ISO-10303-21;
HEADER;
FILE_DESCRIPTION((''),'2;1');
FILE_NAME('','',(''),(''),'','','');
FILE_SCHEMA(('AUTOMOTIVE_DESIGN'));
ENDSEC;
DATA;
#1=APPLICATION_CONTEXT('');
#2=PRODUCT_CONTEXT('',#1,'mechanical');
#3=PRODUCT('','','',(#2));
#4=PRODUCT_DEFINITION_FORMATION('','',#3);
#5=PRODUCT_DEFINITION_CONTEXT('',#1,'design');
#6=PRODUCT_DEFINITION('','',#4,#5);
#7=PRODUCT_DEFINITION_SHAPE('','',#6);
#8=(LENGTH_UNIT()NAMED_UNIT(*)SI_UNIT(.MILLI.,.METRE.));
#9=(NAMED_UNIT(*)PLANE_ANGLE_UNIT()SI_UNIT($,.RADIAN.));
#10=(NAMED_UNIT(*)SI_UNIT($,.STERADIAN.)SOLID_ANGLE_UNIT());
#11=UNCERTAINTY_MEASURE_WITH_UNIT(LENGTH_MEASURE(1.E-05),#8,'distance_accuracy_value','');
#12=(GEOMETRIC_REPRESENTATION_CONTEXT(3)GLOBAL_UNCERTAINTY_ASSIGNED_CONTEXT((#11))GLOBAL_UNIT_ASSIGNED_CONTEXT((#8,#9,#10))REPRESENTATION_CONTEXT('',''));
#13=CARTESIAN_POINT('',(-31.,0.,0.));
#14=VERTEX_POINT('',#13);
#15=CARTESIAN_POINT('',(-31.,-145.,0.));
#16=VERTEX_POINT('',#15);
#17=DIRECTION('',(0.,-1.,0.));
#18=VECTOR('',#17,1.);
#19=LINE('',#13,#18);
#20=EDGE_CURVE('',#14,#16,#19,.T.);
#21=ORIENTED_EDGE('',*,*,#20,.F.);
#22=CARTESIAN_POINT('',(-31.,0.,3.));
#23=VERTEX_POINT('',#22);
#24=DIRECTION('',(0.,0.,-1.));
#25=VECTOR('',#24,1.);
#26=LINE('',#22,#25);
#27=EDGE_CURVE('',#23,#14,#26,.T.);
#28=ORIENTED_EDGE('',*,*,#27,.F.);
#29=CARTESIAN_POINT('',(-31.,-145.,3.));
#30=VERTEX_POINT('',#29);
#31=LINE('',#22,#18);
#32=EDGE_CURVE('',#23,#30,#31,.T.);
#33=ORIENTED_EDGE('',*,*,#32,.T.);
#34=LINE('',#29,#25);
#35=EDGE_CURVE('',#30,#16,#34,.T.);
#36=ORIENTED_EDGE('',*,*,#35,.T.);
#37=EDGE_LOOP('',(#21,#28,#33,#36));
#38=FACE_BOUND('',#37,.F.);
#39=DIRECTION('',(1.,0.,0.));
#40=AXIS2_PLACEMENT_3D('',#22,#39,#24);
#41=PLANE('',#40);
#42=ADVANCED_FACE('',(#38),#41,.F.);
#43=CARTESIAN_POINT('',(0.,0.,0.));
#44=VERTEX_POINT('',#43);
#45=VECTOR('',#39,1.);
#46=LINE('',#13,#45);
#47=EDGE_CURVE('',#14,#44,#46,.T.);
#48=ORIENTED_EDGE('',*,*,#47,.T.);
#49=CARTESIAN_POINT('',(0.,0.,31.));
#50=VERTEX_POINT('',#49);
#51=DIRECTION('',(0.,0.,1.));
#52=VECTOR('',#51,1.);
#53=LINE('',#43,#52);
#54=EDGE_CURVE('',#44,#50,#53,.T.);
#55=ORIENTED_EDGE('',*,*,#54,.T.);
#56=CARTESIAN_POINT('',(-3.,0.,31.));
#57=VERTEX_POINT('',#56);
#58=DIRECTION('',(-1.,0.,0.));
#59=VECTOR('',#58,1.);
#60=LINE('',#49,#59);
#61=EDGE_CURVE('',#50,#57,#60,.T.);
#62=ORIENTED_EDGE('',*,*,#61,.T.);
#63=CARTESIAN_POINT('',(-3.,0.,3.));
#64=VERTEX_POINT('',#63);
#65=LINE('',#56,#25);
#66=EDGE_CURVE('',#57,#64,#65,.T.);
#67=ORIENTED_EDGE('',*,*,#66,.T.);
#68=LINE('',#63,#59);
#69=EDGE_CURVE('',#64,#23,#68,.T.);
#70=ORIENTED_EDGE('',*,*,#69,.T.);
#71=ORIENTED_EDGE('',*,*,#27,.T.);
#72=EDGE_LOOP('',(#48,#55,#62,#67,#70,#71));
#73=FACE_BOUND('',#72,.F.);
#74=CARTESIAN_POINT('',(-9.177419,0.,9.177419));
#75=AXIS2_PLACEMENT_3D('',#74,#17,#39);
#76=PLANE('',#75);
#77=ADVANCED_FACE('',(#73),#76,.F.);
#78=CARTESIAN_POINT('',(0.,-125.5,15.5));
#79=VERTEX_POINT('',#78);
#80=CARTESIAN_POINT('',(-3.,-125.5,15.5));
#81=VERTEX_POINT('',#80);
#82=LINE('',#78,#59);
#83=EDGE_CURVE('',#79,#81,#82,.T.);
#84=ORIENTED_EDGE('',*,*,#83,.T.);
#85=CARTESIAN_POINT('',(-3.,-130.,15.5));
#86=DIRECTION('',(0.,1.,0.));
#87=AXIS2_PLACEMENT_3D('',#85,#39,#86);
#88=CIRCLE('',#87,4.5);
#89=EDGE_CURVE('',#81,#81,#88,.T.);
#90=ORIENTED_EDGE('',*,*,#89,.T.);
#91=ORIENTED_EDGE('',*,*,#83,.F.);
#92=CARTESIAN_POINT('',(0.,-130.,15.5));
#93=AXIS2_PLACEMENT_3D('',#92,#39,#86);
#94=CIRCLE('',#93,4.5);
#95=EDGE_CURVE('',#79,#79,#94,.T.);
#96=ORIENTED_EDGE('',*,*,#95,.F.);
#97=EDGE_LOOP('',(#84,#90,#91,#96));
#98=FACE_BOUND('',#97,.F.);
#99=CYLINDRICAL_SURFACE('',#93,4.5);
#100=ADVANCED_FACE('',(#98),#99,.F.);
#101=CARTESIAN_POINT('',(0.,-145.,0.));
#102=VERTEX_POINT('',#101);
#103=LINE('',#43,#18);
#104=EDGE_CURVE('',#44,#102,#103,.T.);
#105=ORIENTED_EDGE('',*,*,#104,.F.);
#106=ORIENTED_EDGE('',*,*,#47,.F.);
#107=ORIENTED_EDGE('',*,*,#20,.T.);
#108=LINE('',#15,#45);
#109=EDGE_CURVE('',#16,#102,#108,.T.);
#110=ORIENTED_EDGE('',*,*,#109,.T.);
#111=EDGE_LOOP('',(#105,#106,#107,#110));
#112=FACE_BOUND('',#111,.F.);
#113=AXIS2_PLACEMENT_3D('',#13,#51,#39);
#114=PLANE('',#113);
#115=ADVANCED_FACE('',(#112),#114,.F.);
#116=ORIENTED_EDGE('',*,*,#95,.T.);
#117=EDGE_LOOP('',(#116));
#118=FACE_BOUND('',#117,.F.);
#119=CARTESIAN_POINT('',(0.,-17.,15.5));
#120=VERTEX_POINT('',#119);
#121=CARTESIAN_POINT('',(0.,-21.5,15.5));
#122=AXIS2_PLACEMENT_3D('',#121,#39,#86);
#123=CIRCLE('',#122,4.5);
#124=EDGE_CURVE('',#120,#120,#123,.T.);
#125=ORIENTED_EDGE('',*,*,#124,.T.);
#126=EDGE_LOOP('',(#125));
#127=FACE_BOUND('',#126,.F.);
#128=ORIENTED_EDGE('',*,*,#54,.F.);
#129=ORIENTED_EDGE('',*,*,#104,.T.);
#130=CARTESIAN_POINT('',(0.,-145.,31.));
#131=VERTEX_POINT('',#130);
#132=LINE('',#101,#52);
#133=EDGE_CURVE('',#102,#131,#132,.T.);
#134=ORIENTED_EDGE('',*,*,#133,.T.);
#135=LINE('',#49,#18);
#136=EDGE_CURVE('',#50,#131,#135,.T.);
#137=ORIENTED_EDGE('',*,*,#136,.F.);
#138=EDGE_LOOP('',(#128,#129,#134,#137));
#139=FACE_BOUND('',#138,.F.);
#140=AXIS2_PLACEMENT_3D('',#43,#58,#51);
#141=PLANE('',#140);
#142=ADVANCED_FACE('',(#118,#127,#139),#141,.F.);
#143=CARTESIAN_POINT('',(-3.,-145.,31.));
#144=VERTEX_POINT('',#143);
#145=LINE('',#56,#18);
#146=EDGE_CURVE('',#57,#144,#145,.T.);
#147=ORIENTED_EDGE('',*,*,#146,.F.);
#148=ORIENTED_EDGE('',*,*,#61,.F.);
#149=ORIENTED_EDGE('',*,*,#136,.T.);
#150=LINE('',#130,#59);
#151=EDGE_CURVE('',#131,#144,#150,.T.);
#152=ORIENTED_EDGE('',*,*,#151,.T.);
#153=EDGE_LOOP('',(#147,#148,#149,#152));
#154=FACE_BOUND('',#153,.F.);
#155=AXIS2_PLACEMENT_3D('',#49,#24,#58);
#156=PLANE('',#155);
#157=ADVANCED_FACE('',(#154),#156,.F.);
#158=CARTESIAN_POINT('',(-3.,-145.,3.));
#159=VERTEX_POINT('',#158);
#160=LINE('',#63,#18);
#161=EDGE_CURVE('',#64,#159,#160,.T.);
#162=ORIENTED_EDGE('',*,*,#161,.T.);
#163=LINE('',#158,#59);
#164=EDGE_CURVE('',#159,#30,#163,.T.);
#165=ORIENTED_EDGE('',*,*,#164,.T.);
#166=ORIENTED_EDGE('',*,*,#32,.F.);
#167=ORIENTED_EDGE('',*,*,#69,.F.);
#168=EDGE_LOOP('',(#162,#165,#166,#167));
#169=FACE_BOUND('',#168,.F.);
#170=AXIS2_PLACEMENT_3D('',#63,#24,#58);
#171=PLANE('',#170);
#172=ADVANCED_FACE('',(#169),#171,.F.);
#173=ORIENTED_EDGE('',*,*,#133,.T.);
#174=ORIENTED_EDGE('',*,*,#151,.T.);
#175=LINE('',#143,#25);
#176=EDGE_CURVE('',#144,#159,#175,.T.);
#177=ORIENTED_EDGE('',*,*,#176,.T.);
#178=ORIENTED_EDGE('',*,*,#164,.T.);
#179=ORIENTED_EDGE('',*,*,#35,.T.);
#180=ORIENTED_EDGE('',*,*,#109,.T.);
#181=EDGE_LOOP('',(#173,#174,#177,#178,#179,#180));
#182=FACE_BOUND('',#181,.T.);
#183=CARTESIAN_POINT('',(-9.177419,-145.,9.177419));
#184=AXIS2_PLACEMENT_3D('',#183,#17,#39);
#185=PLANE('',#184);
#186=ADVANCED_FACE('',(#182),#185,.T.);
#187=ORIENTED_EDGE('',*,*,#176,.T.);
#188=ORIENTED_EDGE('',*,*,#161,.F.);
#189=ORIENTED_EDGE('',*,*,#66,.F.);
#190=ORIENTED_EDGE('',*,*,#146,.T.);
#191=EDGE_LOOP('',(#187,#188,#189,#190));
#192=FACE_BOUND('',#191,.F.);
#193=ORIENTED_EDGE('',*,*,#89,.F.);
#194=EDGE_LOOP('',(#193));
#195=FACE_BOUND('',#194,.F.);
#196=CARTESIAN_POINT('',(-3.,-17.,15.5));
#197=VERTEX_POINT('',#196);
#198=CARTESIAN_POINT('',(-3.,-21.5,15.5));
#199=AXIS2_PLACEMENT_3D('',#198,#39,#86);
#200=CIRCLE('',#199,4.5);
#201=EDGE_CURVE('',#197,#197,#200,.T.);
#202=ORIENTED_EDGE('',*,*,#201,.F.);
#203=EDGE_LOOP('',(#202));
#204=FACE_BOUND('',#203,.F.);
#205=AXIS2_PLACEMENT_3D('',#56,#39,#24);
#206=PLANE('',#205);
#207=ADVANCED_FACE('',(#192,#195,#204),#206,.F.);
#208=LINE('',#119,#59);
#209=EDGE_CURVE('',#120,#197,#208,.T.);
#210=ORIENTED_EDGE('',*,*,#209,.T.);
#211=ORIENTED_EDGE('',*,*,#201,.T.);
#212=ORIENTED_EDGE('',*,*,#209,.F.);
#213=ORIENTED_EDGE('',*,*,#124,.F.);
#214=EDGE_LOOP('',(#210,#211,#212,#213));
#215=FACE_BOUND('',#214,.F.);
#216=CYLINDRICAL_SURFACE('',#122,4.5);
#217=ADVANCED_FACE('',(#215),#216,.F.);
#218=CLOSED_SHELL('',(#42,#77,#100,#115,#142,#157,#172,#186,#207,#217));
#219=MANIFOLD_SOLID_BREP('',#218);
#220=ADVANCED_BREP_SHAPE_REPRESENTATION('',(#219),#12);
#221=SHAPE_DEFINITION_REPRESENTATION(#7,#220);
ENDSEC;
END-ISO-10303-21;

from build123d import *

# Parameters (mm, degrees)
F4_DEPTH = 145
F5_R     = 4.5
F6_DEPTH = 3


with BuildPart() as f4:
    # F3 (on Front) → F4 (new body)
    with BuildSketch(Plane.XZ):
        Polygon((-31, 0), (0, 0), (0, 31), (-3, 31), (-3, 3), (-31, 3), align=None)
    extrude(amount=F4_DEPTH)

    # F5 (on face) → F6 (cut, through all)
    with BuildSketch(Plane.YZ):
        with Locations((-130, 15.5)):
            Circle(F5_R)
        with Locations((-21.5, 15.5)):
            Circle(F5_R)
    extrude(amount=-F6_DEPTH, mode=Mode.SUBTRACT)


solid = f4.part
